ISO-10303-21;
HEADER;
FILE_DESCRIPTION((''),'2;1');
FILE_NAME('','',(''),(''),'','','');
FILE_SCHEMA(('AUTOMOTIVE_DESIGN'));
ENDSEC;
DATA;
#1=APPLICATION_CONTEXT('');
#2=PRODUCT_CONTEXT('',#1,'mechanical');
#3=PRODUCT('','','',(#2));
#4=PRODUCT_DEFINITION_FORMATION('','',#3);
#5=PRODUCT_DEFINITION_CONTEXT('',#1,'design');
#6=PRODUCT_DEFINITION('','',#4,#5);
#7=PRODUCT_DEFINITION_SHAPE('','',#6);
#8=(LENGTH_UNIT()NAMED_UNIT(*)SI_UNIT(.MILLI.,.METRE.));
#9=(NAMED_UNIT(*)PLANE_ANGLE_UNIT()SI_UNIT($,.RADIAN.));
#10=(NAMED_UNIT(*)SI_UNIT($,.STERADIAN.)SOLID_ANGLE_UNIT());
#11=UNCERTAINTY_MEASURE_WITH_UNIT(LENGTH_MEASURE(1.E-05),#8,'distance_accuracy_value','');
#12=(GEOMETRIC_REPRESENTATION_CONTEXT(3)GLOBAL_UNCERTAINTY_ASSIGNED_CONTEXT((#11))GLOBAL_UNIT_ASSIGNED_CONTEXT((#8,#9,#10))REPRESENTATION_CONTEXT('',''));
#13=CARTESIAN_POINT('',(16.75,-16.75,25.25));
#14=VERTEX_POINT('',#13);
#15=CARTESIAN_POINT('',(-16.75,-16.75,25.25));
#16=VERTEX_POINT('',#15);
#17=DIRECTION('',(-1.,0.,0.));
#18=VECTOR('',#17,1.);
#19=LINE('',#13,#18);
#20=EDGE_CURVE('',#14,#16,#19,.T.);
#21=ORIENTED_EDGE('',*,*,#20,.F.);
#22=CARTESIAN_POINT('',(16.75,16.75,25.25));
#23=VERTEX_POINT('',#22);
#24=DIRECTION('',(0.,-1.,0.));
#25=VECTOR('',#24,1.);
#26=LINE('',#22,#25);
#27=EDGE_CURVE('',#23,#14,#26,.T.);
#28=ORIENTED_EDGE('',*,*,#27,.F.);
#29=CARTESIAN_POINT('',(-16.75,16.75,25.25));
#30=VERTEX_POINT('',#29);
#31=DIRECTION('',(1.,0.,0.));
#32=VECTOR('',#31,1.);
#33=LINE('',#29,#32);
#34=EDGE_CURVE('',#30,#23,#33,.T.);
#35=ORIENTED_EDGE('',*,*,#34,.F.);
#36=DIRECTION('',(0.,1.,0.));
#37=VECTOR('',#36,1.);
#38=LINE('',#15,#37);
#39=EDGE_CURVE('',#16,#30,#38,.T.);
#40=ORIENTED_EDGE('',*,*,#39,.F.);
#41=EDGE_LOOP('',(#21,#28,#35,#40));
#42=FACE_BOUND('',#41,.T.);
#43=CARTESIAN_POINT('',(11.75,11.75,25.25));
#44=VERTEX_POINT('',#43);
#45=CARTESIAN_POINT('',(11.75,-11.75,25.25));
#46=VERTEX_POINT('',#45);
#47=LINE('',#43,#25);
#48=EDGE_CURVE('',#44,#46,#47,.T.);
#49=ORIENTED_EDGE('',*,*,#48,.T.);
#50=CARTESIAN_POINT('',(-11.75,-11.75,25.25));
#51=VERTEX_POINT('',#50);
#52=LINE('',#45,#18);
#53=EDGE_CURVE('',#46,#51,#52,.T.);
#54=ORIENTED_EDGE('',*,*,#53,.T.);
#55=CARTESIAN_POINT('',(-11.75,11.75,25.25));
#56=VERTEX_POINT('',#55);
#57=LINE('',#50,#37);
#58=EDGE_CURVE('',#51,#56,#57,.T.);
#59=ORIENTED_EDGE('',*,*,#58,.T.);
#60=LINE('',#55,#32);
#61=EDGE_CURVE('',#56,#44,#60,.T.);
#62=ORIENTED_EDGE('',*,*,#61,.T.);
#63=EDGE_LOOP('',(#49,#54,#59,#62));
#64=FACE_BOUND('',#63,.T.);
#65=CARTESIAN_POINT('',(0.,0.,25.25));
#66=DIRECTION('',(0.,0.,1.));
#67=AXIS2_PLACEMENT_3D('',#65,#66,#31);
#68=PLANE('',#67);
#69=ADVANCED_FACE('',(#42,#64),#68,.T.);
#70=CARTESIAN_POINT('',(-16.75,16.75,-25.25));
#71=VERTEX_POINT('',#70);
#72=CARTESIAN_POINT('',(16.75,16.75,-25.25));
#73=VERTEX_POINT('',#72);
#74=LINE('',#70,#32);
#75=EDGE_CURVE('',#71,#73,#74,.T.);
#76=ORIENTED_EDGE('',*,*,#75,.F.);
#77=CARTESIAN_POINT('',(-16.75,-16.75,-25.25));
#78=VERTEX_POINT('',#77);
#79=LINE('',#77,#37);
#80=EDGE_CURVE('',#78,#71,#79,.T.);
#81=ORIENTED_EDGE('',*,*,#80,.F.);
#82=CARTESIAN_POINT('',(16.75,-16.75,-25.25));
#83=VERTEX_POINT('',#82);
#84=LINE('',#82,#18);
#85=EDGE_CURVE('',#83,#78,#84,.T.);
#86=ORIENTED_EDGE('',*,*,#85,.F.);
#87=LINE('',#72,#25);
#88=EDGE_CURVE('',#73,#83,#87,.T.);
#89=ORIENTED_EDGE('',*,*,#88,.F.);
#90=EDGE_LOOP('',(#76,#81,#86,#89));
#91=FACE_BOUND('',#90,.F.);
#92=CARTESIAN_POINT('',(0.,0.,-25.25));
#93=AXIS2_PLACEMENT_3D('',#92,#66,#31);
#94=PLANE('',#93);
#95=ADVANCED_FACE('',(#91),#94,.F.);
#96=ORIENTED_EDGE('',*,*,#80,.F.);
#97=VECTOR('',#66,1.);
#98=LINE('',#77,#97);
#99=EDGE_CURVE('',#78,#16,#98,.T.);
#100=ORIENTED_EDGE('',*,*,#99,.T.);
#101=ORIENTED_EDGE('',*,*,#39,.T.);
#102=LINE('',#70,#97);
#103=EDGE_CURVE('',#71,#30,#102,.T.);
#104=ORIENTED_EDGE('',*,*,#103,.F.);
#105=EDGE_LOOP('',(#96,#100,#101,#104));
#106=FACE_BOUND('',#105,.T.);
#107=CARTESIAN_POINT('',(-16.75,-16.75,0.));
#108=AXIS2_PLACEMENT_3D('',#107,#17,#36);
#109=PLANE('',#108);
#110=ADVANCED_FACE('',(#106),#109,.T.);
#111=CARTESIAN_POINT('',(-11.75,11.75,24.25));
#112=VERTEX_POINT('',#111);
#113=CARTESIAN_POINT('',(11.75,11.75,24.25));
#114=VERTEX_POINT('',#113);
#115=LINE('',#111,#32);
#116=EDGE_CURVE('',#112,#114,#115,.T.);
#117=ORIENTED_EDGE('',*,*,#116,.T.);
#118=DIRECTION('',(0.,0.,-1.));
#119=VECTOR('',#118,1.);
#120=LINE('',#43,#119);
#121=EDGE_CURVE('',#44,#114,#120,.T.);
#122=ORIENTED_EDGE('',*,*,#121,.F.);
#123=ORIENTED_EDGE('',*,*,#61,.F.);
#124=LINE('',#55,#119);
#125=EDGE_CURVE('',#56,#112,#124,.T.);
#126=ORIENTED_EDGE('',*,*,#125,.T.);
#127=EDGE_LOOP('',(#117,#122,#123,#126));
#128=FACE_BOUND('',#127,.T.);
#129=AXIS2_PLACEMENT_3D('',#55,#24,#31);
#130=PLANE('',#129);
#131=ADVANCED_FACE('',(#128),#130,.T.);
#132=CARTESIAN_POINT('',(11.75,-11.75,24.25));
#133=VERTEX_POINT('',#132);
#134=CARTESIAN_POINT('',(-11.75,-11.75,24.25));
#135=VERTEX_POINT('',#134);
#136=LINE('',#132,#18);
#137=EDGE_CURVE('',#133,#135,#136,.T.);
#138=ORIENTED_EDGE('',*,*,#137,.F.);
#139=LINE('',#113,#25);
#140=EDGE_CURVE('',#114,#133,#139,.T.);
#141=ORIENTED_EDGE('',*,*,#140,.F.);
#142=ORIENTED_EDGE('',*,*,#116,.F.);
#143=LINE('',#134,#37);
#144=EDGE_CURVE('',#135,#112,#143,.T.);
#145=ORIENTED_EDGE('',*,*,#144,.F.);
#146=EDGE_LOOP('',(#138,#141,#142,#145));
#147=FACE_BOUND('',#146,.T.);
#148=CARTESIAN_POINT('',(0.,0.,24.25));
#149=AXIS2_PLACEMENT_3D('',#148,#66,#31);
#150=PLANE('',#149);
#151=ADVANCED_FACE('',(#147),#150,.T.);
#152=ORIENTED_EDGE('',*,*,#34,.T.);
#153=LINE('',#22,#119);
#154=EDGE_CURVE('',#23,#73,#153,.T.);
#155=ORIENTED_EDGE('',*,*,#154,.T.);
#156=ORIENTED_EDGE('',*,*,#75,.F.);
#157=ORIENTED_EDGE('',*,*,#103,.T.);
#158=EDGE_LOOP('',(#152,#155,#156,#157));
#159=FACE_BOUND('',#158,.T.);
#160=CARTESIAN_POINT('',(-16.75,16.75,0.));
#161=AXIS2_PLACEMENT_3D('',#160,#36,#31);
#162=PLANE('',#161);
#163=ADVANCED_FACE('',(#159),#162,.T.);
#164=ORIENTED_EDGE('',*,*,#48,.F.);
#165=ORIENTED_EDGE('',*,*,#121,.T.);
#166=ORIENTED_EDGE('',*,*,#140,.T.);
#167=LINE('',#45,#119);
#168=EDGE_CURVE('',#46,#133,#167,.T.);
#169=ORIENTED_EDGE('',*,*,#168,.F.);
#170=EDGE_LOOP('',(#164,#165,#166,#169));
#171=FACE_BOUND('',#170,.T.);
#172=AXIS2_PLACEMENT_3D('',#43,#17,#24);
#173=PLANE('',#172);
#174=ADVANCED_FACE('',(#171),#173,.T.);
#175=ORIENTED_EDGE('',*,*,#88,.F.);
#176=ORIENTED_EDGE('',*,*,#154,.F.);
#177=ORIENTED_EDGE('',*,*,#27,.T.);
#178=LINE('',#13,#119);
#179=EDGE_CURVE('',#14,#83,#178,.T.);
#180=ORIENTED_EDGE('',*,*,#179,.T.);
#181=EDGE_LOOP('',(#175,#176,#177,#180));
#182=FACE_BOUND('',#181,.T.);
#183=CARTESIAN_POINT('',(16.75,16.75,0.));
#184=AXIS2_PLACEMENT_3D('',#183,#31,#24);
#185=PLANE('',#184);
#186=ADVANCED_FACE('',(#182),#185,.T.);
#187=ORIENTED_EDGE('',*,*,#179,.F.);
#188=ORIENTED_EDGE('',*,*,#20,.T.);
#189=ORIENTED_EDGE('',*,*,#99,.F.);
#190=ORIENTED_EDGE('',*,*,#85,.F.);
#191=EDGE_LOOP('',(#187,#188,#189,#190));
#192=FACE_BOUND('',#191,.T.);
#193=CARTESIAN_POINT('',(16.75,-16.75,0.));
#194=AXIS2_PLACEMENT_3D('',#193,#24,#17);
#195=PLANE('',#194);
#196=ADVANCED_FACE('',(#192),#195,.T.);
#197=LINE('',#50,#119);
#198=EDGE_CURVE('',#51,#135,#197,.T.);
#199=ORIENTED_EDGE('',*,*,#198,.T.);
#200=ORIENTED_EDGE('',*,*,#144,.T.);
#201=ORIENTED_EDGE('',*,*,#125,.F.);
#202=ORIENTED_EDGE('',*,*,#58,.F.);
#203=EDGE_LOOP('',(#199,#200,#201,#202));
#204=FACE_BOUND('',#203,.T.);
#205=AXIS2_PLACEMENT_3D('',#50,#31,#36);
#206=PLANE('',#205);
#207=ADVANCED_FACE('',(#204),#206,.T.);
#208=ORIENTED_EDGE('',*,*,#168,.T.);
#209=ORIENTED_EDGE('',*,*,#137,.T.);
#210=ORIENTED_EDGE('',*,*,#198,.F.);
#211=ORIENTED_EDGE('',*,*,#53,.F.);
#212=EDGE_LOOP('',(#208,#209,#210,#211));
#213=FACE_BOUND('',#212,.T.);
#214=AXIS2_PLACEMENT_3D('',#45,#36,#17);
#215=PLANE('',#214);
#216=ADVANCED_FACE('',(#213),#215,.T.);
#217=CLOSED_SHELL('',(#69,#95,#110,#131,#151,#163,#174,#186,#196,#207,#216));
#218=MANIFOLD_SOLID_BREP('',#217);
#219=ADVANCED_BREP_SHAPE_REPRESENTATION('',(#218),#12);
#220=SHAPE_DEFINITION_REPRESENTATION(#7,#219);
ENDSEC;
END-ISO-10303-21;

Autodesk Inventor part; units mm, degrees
ref_plane "YZ Plane" through (0, 0, 0) normal (1, 0, 0) x (0, 1, 0)
ref_plane "XZ Plane" through (0, 0, 0) normal (0, 1, 0) x (-1, 0, 0)
ref_plane "XY Plane" through (0, 0, 0) normal (0, 0, 1) x (1, 0, 0)
sketch "Sketch1" plane through (0, 0, 0) normal (0, 0, 1) x (1, 0, 0)
  line L0 (-16.75, 16.75) -> (16.75, 16.75)
  line L1 (16.75, 16.75) -> (16.75, -16.75)
  line L2 (16.75, -16.75) -> (-16.75, -16.75)
  line L3 (-16.75, -16.75) -> (-16.75, 16.75)
  line L4 (-16.75, 16.75) -> (16.75, -16.75) construction
  line L5 (16.75, 16.75) -> (-16.75, -16.75) construction
  point P0 (0, 0)
  dimension "d0" = 33.5
  dimension "d1" = 33.5
extrude "Extrusion1" add sketch "Sketch1" along normal mid plane 50.5
sketch "Sketch2" plane through (0, 0, 25.25) normal (0, 0, 1) x (1, 0, 0)
  line L0 (-11.75, 11.75) -> (11.75, 11.75)
  line L1 (11.75, 11.75) -> (11.75, -11.75)
  line L2 (11.75, -11.75) -> (-11.75, -11.75)
  line L3 (-11.75, -11.75) -> (-11.75, 11.75)
  line L4 (-11.75, 11.75) -> (11.75, -11.75) construction
  line L5 (11.75, 11.75) -> (-11.75, -11.75) construction
  line L6 (16.75, 16.75) -> (-16.75, 16.75) projected
  line L7 (16.75, -16.75) -> (16.75, 16.75) projected
  point P0 (0, 0)
  dimension "d4" = 5
  dimension "d5" = 5
extrude "Extrusion2" cut sketch "Sketch2" against normal blind 1
sketch "Sketch3" plane through (0, 0, -25.25) normal (0, 0, -1) x (-1, 0, 0)
  point P0 (0, 0)
properties part number "acrylicpmt"
